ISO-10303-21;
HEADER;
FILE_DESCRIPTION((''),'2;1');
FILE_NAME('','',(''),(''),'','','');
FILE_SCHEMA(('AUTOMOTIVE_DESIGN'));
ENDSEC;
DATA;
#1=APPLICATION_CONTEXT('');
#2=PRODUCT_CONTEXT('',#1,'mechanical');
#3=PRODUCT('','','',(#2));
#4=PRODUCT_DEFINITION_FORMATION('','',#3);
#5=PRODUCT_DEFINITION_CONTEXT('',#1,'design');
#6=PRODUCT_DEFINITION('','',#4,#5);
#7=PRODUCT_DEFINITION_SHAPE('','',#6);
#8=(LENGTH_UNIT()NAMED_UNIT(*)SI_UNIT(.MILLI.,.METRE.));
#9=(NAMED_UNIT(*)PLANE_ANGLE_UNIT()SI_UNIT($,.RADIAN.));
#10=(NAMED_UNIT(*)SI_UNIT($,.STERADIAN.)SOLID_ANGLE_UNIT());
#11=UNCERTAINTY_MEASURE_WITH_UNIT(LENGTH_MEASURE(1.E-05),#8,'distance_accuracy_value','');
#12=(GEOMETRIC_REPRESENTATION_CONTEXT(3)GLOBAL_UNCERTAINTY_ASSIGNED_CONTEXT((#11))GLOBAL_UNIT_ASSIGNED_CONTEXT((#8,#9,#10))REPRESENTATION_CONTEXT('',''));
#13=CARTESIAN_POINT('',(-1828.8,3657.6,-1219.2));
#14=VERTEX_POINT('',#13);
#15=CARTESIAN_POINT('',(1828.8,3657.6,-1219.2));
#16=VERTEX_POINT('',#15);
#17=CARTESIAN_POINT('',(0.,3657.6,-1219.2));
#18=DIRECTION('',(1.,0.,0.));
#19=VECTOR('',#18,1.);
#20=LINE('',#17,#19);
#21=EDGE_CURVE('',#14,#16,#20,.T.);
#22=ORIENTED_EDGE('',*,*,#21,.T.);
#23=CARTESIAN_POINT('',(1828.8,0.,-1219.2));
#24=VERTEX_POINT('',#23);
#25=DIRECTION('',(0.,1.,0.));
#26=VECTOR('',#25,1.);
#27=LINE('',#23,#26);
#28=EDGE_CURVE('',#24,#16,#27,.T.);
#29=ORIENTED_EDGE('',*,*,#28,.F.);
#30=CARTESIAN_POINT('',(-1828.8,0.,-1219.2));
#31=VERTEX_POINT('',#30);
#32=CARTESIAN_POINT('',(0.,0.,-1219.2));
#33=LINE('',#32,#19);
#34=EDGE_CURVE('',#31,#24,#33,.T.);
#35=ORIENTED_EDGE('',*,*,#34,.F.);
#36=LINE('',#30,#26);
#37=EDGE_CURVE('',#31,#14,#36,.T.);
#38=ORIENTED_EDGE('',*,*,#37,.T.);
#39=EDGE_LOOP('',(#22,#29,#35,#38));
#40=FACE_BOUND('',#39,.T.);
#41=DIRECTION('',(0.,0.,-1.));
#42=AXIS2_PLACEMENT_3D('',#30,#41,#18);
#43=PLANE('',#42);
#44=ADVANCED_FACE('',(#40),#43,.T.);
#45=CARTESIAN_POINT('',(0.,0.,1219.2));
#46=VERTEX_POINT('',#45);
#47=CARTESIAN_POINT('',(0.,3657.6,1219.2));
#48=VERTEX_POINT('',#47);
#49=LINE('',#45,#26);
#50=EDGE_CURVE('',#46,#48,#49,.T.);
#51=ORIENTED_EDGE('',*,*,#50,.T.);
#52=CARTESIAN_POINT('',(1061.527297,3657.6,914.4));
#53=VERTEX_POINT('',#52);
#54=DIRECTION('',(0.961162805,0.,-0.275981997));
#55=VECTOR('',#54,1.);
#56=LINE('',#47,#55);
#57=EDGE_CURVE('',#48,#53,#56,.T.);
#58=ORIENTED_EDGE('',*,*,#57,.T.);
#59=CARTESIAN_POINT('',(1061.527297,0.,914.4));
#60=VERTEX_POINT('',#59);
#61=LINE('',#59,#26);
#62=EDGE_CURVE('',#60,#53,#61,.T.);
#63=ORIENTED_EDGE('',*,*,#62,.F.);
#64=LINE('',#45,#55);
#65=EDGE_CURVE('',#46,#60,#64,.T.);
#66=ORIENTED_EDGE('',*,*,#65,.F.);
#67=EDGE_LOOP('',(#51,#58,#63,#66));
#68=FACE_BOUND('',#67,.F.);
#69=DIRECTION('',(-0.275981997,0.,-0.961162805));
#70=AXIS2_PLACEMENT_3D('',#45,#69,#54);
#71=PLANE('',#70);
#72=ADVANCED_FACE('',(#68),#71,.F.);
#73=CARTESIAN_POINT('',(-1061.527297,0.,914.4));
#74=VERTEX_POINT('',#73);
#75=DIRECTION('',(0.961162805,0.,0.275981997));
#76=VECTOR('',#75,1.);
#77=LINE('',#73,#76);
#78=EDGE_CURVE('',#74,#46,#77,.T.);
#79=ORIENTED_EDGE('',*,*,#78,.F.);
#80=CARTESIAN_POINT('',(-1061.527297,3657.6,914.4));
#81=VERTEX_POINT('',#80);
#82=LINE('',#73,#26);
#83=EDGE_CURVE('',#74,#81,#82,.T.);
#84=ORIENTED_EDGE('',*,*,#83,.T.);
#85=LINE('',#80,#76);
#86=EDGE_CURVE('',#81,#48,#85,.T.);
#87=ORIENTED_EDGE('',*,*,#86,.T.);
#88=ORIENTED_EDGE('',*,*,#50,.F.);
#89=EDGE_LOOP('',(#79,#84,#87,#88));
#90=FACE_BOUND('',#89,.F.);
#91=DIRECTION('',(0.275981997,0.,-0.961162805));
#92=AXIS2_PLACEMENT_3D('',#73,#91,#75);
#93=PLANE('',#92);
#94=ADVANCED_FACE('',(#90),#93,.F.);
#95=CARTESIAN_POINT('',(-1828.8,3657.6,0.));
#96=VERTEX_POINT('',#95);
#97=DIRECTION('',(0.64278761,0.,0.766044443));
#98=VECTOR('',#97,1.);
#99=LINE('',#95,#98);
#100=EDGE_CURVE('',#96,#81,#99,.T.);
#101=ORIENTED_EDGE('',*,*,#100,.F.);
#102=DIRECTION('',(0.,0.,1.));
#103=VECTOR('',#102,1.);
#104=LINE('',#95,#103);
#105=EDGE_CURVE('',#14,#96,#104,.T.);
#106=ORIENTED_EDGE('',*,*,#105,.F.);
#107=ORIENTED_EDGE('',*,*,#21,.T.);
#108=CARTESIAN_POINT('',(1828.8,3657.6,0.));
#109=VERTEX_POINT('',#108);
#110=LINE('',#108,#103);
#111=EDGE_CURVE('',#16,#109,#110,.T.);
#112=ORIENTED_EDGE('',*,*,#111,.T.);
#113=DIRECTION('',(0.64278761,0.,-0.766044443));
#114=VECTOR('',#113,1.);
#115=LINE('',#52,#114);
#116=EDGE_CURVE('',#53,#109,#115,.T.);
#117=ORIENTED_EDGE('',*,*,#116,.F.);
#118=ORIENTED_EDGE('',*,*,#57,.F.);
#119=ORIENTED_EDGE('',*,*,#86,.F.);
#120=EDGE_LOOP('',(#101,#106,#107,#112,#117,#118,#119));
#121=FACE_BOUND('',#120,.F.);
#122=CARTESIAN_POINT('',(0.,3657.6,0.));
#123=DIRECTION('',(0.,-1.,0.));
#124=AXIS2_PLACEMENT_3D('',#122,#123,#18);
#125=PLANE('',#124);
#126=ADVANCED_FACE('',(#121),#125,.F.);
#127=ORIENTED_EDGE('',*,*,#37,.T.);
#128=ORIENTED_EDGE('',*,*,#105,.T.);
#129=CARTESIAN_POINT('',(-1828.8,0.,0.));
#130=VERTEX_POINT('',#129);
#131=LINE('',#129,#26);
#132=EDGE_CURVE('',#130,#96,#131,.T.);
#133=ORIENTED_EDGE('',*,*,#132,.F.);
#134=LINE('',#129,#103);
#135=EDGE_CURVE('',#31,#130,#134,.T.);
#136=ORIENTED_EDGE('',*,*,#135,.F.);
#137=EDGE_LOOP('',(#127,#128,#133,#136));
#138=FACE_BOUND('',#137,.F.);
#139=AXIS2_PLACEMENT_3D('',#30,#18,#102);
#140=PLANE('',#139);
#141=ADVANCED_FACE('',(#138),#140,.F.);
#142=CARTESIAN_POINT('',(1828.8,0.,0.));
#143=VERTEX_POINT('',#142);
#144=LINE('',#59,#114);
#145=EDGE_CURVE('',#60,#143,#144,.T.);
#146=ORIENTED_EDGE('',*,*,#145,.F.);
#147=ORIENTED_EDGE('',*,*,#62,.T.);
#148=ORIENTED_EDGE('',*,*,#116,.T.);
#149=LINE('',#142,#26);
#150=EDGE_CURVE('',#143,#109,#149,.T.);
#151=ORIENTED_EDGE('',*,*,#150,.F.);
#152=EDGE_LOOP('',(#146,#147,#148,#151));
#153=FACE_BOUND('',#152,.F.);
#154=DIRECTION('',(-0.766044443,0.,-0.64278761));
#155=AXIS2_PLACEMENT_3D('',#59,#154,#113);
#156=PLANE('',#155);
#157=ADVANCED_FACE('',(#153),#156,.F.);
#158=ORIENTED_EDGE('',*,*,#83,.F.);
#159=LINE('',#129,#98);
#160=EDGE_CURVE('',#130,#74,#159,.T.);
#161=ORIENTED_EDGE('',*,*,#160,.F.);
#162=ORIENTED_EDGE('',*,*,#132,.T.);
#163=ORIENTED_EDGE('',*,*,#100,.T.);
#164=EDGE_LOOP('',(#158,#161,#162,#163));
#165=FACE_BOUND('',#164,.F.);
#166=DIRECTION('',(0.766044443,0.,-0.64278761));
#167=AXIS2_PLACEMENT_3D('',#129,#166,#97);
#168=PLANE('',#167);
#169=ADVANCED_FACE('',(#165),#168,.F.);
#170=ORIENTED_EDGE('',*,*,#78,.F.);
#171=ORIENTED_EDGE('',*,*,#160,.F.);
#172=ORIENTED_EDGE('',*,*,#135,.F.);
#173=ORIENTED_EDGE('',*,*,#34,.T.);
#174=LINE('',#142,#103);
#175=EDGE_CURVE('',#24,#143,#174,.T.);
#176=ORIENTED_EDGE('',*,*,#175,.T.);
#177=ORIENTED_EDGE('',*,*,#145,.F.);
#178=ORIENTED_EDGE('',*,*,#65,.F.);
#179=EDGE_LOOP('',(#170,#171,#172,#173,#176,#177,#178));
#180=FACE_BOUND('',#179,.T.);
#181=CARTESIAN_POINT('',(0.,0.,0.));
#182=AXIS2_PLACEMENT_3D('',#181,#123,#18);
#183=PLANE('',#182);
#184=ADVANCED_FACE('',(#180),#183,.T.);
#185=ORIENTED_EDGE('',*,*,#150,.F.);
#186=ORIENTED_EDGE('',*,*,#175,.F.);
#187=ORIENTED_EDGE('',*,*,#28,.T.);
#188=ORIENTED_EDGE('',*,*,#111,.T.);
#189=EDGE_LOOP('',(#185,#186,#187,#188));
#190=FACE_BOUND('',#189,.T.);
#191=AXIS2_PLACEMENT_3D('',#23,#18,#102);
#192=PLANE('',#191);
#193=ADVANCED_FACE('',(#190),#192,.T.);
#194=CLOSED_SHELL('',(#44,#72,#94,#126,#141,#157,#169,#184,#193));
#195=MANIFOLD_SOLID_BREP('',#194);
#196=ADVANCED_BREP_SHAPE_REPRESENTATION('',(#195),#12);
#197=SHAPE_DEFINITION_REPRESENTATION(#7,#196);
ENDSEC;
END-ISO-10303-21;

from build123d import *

# Parameters (mm, degrees)
F0_W     = 3657.6
F0_H     = 2438.4
F1_DEPTH = 3657.6
F3_DEPTH = 3657.6


with BuildPart() as f1:
    # F0 (on Front) → F1 (new body)
    with BuildSketch(Plane.XZ):
        Rectangle(F0_W, F0_H)
    extrude(amount=-F1_DEPTH)

    # F2 (on face) → F3 (cut)
    with BuildSketch(Plane.XZ):
        Polygon((-1828.8, 1219.2), (-1828.8, 0), (-1061.527297, 914.4), (0, 1219.2), align=None)
        Polygon((1828.8, 1219.2), (0, 1219.2), (1061.527297, 914.4), (1828.8, 0), align=None)
    extrude(amount=-F3_DEPTH, mode=Mode.SUBTRACT)


solid = f1.part
